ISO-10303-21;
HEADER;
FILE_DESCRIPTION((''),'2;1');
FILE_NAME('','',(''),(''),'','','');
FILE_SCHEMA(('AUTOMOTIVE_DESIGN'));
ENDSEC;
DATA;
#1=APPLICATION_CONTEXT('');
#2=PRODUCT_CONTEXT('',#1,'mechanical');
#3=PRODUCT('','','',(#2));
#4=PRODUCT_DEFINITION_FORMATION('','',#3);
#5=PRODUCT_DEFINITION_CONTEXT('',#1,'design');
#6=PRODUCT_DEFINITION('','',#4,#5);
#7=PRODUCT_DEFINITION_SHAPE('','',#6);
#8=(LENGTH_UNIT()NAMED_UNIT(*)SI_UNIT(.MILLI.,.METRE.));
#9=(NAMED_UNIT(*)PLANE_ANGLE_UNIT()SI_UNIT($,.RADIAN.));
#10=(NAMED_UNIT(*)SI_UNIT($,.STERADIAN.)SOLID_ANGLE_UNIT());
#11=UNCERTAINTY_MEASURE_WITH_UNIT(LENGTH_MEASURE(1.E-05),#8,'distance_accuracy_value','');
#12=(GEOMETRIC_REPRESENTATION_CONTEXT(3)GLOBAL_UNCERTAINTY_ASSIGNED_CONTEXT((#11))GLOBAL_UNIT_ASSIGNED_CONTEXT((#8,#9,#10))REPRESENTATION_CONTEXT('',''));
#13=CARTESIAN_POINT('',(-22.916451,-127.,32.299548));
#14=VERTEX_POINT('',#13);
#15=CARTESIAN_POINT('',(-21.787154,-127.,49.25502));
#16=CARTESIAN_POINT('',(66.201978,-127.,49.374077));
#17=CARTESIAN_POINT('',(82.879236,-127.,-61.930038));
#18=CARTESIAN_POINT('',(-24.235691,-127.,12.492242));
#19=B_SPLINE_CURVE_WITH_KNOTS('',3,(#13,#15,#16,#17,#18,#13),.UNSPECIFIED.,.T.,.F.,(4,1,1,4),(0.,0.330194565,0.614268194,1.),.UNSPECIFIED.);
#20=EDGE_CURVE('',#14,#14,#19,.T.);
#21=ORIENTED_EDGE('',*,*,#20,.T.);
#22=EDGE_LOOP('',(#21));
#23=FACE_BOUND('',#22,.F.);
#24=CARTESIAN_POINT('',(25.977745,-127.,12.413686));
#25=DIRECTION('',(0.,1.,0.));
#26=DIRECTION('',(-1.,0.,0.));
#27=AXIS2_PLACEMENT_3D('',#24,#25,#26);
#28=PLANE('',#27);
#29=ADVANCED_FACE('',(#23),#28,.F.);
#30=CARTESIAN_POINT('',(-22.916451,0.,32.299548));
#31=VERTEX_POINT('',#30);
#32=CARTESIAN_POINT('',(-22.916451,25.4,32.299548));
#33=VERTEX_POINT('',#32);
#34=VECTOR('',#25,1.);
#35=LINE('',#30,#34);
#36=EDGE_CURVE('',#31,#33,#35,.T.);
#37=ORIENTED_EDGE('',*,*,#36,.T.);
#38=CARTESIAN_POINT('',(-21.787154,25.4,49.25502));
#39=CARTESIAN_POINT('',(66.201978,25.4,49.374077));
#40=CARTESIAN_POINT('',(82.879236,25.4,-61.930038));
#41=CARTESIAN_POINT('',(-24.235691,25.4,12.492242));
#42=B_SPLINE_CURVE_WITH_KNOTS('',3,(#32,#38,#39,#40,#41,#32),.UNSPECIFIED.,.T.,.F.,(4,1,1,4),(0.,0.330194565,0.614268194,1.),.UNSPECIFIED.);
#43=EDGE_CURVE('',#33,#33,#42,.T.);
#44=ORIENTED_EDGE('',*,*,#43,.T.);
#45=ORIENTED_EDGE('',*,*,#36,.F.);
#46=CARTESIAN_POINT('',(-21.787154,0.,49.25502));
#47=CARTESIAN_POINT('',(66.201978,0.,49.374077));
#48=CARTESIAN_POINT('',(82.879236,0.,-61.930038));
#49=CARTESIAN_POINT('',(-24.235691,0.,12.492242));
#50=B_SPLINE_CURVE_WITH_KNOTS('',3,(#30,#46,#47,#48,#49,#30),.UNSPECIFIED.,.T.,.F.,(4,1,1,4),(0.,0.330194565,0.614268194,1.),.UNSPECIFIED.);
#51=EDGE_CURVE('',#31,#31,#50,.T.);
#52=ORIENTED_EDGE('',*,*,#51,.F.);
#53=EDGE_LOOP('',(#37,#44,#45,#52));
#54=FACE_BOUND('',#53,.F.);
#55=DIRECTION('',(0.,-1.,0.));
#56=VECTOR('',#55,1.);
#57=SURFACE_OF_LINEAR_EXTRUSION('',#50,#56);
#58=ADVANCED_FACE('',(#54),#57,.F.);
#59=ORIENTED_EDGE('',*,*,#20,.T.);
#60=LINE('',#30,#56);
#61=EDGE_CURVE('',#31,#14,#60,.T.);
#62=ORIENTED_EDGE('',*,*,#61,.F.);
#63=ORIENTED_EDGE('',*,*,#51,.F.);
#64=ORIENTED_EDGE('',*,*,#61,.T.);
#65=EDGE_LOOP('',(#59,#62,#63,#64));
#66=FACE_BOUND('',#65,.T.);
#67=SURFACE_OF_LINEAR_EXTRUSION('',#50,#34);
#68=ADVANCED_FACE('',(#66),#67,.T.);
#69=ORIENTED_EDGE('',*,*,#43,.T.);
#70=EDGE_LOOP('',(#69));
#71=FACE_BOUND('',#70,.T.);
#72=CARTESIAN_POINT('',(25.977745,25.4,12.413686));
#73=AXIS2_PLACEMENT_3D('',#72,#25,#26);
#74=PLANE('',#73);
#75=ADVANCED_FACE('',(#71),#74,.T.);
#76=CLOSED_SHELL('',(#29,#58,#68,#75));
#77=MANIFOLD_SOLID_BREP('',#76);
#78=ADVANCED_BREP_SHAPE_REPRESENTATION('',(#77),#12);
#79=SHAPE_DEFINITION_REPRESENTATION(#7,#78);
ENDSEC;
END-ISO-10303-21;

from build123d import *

# Parameters (mm, degrees)
F1_DEPTH      = 127
F1_DEPTH_BACK = 25.4


with BuildPart() as f1:
    # F0 (on Front) → F1 (new body, two sides)
    with BuildSketch(Plane.XZ) as f1_sk:
        with BuildLine():
            add(Edge.make_bspline(
                [(-22.9164510965, 32.2995483875), (-21.7871538422, 49.2550202521), (66.2019782371, 49.3740766296), (82.8792355576, -61.930037907), (-24.2356910698, 12.4922424171), (-22.9164510965, 32.2995483875)],
                knots=[0, 0, 0, 0, 0.3301945652, 0.6142681941, 1, 1, 1, 1], degree=3))
        make_face()
    extrude(amount=F1_DEPTH)
    extrude(f1_sk.sketch, amount=-F1_DEPTH_BACK)


solid = f1.part
